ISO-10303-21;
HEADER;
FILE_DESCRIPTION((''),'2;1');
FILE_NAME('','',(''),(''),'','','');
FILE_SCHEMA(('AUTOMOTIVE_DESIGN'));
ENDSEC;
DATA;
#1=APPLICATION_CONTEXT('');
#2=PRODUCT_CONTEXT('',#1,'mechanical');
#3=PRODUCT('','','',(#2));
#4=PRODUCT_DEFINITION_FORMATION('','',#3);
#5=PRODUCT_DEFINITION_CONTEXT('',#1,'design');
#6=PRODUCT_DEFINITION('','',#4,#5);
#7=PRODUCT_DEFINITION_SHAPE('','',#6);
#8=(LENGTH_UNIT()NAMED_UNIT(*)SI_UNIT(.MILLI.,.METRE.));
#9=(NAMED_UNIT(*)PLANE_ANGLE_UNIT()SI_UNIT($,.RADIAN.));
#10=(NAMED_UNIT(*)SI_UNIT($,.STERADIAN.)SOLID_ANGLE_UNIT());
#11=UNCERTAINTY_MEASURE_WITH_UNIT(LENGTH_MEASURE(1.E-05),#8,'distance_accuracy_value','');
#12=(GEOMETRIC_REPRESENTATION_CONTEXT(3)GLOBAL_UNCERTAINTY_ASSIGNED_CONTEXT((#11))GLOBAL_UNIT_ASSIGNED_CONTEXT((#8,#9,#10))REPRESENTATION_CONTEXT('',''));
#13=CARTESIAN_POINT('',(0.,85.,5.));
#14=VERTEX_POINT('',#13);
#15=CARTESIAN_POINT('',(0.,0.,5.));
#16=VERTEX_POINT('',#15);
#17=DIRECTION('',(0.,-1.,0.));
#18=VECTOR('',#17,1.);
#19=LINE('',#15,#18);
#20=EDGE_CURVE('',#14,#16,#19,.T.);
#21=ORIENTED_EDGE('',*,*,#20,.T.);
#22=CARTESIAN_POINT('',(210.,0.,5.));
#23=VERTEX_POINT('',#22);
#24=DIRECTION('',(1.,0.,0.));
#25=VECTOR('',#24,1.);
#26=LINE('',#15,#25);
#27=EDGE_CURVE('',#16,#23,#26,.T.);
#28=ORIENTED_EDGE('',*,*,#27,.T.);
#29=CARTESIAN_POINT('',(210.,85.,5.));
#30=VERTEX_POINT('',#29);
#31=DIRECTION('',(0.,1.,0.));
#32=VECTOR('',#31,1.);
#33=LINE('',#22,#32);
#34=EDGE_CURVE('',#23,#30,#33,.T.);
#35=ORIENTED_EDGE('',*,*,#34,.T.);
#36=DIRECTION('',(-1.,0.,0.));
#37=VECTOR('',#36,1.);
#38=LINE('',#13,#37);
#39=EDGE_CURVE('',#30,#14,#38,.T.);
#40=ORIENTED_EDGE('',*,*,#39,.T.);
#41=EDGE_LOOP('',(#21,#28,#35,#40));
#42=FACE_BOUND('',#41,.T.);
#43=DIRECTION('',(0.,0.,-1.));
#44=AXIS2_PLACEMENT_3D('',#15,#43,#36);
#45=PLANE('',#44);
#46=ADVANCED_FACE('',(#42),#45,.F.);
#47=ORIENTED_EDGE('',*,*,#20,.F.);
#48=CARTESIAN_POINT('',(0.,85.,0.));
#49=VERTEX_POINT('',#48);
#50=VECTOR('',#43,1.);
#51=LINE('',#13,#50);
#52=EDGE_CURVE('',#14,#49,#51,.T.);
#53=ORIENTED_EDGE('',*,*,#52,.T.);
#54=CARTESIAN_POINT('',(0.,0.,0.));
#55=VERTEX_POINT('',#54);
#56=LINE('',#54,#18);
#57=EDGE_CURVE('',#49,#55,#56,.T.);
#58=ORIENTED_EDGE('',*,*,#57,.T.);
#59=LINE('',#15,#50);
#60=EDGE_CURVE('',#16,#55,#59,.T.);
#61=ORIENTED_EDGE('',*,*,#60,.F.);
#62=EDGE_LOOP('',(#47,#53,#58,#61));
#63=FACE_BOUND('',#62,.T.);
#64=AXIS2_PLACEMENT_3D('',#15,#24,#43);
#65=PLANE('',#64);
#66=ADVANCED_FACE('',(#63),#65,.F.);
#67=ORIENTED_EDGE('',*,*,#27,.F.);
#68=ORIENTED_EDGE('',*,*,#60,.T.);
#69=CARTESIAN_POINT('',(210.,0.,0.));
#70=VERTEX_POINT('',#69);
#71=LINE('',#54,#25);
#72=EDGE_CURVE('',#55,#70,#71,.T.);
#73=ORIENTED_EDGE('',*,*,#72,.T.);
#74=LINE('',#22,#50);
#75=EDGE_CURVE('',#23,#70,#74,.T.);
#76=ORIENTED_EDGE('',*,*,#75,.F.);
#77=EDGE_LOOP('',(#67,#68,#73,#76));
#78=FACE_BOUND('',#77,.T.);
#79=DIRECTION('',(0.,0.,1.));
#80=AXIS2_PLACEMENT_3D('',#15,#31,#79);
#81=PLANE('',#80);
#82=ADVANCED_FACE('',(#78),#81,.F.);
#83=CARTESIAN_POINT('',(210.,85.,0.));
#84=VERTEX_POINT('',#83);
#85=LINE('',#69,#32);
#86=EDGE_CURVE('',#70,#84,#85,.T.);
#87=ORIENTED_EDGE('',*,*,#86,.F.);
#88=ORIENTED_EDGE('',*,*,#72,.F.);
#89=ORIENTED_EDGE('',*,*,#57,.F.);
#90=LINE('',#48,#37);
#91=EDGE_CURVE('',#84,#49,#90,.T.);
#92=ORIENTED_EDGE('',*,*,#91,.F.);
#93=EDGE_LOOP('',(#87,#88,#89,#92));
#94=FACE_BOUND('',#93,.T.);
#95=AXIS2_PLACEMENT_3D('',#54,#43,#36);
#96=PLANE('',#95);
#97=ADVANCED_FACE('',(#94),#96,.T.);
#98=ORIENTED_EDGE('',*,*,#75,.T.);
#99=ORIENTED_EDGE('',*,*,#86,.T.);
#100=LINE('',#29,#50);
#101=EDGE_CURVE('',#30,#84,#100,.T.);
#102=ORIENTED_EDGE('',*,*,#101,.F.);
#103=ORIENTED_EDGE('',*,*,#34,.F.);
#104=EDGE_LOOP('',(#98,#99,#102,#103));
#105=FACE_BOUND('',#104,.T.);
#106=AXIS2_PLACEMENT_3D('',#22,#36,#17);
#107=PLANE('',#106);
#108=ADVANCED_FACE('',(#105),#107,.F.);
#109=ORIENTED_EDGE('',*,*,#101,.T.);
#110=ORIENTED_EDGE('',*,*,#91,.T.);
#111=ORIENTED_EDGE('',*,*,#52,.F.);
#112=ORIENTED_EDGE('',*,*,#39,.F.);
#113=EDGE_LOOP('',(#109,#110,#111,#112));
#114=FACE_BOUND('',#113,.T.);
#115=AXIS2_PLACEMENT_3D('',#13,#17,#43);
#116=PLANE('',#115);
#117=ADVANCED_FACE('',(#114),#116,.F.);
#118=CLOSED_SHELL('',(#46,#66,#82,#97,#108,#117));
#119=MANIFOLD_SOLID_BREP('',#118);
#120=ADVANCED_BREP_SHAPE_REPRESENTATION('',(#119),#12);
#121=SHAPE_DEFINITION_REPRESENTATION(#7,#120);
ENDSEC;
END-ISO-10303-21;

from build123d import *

# Parameters (mm, degrees)
SKETCH1_W           = 210
SKETCH1_H           = 85
BOSS_EXTRUDE1_DEPTH = 5


with BuildPart() as part:
    # Sketch1 → Boss-Extrude1 (new body)
    with BuildSketch(Plane.XY):
        with Locations((105, 42.5)):
            Rectangle(SKETCH1_W, SKETCH1_H)
    extrude(amount=BOSS_EXTRUDE1_DEPTH)


solid = part.part
